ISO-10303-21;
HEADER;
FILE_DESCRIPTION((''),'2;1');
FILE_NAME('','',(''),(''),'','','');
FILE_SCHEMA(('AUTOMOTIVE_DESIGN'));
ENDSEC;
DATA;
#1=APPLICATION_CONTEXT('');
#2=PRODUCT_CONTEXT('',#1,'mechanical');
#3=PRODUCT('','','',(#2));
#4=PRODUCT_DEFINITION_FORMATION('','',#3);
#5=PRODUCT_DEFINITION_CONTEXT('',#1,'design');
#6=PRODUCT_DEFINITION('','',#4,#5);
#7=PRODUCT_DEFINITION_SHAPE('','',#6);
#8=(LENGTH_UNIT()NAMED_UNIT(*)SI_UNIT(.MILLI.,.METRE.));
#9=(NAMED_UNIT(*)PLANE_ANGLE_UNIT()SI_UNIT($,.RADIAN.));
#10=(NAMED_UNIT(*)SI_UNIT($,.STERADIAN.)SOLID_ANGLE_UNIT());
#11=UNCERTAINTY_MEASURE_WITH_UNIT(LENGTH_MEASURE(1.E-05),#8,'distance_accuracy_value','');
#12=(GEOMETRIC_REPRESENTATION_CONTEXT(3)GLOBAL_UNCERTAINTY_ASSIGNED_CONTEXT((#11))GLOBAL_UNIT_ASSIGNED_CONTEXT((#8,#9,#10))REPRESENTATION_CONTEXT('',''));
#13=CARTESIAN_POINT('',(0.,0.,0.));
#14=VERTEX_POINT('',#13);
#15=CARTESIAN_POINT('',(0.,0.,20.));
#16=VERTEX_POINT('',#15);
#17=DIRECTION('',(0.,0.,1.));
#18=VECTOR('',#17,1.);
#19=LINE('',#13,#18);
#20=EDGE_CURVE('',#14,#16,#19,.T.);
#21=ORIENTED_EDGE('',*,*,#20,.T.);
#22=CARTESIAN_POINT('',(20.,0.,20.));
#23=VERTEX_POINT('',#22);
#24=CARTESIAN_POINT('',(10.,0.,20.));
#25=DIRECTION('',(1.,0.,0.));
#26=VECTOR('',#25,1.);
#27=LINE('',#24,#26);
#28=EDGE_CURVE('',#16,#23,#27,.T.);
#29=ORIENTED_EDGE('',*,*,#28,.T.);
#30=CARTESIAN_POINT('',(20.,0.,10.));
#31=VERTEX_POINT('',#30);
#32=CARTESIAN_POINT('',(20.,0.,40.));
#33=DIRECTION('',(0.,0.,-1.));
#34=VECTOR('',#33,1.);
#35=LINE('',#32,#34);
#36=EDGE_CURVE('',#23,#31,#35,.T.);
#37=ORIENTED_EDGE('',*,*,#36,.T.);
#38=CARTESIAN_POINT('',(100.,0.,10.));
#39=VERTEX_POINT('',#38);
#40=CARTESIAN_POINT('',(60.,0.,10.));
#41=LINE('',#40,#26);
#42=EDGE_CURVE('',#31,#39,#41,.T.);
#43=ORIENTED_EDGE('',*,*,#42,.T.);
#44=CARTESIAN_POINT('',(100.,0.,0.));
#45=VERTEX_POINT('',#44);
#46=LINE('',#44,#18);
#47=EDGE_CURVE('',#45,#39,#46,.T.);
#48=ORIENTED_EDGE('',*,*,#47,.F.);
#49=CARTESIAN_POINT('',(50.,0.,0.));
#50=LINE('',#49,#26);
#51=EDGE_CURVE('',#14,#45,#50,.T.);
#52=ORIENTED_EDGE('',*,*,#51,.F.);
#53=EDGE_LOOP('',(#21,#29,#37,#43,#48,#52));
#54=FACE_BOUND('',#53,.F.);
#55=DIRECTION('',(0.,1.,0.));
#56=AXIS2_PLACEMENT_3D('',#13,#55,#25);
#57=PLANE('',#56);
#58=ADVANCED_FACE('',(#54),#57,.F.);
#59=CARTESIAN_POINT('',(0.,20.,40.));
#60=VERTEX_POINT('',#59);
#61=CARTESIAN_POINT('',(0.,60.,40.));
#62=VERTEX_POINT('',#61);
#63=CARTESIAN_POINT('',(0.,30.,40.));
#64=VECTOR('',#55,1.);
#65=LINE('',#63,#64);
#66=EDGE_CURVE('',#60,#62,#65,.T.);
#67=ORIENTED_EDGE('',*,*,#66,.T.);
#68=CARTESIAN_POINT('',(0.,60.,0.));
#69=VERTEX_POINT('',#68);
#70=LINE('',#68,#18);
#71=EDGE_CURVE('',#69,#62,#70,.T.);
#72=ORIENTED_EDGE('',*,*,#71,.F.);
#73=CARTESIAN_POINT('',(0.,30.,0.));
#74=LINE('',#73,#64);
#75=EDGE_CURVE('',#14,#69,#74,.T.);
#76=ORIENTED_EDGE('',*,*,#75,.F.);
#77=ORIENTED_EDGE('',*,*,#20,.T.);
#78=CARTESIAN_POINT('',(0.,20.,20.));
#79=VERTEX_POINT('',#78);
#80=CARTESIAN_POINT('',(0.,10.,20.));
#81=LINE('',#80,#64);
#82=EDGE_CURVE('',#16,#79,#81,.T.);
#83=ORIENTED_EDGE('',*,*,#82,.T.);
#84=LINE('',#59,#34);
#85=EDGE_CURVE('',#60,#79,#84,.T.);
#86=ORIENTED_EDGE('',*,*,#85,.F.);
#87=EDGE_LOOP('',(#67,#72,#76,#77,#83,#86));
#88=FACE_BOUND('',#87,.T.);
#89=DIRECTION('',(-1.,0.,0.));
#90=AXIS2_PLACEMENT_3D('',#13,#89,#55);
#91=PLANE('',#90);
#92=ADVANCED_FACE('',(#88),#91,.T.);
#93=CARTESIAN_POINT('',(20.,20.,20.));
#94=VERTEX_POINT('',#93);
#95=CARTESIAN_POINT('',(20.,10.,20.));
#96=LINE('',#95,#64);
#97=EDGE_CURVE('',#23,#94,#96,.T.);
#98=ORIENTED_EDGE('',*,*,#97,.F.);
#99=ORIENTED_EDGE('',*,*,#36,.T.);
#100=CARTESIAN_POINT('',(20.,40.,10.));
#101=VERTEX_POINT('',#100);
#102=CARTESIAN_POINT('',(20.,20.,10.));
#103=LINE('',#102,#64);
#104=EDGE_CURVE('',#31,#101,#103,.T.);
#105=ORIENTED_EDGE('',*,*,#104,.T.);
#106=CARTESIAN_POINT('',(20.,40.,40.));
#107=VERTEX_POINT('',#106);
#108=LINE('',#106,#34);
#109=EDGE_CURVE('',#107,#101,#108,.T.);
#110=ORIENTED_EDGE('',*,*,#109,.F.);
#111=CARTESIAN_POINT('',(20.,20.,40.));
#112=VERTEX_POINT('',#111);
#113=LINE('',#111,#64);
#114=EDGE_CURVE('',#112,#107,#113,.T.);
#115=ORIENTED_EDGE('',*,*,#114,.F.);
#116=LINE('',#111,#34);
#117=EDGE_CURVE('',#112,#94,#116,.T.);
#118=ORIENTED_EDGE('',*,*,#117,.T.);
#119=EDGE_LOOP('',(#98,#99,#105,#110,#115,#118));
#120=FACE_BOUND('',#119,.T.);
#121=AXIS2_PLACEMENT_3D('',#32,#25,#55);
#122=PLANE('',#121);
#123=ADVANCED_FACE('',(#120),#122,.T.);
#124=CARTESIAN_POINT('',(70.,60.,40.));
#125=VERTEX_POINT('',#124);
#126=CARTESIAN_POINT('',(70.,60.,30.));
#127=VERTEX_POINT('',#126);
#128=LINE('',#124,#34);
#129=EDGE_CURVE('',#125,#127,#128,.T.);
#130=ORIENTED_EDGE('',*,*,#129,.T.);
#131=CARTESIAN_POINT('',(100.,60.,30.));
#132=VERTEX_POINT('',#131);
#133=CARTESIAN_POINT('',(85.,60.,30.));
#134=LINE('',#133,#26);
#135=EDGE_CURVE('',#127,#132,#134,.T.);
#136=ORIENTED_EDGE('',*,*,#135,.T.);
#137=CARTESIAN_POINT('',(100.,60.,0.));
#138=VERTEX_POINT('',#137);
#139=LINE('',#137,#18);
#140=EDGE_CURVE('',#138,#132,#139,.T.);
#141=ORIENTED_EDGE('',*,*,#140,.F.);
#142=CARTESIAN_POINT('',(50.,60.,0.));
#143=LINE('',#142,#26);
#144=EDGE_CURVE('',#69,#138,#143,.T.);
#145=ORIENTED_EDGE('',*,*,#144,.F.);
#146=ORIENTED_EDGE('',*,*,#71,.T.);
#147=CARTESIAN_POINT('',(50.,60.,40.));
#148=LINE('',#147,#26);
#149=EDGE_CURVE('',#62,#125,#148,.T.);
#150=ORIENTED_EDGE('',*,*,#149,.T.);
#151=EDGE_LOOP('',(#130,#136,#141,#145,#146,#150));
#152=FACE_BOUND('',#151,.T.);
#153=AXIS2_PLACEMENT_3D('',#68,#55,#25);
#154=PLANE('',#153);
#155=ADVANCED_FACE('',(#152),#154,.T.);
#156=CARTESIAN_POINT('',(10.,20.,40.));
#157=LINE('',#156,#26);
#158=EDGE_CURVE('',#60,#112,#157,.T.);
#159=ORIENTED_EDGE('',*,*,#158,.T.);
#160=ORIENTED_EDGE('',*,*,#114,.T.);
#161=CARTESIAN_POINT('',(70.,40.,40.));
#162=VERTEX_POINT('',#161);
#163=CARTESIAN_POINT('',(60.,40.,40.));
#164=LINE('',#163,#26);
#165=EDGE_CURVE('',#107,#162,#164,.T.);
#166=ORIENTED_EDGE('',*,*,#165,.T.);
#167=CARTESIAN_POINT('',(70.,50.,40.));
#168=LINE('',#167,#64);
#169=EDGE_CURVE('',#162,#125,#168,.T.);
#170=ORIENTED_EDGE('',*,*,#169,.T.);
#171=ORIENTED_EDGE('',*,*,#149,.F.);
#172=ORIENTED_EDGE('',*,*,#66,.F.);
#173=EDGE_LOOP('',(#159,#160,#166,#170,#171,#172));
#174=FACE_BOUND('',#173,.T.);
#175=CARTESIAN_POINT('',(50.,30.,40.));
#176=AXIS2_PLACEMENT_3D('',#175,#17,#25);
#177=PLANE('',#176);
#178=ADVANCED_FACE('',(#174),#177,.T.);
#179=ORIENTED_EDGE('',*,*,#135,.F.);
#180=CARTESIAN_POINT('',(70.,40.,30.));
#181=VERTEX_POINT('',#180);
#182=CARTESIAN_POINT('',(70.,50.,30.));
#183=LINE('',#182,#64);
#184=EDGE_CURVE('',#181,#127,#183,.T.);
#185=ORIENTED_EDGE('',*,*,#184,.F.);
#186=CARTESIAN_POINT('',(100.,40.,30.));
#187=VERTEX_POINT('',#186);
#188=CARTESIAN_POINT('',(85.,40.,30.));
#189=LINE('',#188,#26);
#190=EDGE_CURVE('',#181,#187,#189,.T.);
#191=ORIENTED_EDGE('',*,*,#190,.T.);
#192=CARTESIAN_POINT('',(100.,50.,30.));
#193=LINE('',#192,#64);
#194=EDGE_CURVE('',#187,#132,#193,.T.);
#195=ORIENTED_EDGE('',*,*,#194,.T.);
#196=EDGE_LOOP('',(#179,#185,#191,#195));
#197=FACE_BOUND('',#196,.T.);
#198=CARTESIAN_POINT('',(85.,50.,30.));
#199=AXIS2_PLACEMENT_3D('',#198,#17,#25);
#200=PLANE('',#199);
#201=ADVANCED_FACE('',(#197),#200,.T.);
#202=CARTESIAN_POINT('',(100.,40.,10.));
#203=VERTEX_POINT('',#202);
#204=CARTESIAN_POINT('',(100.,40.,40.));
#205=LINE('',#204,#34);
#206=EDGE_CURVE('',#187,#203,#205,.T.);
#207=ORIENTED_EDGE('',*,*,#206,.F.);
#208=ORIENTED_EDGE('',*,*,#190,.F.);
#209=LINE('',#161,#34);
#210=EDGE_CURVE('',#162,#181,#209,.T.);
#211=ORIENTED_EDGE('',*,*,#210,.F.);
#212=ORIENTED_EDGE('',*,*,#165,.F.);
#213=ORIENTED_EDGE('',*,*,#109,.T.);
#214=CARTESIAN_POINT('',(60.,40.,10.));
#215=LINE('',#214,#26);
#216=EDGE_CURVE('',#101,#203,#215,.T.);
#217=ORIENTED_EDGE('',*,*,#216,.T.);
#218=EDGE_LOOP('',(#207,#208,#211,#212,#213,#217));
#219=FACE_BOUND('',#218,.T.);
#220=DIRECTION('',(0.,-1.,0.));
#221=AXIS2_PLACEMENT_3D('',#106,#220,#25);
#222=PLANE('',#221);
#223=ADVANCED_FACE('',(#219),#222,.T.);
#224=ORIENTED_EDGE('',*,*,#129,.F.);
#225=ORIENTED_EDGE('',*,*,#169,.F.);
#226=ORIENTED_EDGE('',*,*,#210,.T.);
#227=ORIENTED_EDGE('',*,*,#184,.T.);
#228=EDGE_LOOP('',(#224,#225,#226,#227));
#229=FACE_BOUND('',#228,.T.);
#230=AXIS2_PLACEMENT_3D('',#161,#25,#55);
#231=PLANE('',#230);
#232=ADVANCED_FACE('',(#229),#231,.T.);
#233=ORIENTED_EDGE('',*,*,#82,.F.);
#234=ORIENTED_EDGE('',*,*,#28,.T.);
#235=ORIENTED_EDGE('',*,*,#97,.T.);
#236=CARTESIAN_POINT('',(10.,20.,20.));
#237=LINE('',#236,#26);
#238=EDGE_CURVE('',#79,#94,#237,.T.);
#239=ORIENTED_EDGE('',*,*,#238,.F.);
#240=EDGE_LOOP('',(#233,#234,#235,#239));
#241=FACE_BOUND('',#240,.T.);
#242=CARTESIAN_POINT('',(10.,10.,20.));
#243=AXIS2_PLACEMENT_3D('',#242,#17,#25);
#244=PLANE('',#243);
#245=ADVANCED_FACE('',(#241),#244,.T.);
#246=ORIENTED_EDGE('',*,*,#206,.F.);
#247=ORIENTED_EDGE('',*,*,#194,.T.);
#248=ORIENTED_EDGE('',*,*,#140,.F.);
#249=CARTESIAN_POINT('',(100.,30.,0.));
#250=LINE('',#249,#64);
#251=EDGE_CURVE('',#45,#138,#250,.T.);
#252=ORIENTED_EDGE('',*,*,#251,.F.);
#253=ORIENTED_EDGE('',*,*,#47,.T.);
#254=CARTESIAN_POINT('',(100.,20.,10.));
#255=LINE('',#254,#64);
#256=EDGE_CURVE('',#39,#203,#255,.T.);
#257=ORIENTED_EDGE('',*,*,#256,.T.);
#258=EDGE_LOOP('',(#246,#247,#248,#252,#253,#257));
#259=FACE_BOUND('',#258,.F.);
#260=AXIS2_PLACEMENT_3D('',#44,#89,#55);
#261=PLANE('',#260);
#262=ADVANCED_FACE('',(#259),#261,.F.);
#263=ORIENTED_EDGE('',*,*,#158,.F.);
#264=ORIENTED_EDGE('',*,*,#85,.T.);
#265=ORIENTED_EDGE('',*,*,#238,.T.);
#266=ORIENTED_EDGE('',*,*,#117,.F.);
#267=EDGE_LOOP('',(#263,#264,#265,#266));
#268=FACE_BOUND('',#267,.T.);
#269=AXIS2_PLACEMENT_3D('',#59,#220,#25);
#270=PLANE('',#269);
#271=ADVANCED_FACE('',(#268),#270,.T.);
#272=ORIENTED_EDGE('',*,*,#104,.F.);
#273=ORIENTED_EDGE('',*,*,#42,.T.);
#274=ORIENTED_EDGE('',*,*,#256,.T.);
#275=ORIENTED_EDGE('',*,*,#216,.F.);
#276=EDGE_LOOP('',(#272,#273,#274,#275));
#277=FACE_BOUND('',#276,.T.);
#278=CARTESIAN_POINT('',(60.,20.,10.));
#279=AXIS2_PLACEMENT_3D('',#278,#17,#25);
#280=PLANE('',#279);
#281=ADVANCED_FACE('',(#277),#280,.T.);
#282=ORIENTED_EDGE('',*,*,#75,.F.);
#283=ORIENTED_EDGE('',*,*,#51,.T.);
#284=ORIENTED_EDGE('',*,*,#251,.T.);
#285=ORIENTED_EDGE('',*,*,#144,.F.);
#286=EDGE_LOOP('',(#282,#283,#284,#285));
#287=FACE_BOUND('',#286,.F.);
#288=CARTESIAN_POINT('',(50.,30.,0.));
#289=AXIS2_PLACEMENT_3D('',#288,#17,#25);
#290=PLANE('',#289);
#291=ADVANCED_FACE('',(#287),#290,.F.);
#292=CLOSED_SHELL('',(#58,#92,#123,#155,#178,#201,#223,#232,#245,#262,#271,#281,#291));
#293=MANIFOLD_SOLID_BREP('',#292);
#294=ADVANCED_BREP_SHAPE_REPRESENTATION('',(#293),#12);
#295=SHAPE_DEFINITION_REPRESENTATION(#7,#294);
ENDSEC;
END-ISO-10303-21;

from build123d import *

# Parameters (mm, degrees)
F0_W     = 100
F0_H     = 60
F1_DEPTH = 40
F2_W     = 80
F2_H     = 40
F3_DEPTH = 30
F4_W     = 30
F4_H     = 20
F5_DEPTH = 10
F4_W_2   = 20
F6_DEPTH = 20


with BuildPart() as f1:
    # F0 (on Top) → F1 (new body)
    with BuildSketch(Plane.XY):
        with Locations((50, 30)):
            Rectangle(F0_W, F0_H)
    extrude(amount=F1_DEPTH)

    # F2 (on face) → F3 (cut)
    with BuildSketch(Plane.XY.offset(40)):
        with Locations((60, 20)):
            Rectangle(F2_W, F2_H)
    extrude(amount=-F3_DEPTH, mode=Mode.SUBTRACT)

    # F4 (on face) → F5 (cut)
    with BuildSketch(Plane.XY.offset(40)):
        with Locations((85, 50)):
            Rectangle(F4_W, F4_H)
    extrude(amount=-F5_DEPTH, mode=Mode.SUBTRACT)

    # F4 (on face) → F6 (cut)
    with BuildSketch(Plane.XY.offset(40)):
        with Locations((10, 10)):
            Rectangle(F4_W_2, F4_H)
    extrude(amount=-F6_DEPTH, mode=Mode.SUBTRACT)


solid = f1.part
